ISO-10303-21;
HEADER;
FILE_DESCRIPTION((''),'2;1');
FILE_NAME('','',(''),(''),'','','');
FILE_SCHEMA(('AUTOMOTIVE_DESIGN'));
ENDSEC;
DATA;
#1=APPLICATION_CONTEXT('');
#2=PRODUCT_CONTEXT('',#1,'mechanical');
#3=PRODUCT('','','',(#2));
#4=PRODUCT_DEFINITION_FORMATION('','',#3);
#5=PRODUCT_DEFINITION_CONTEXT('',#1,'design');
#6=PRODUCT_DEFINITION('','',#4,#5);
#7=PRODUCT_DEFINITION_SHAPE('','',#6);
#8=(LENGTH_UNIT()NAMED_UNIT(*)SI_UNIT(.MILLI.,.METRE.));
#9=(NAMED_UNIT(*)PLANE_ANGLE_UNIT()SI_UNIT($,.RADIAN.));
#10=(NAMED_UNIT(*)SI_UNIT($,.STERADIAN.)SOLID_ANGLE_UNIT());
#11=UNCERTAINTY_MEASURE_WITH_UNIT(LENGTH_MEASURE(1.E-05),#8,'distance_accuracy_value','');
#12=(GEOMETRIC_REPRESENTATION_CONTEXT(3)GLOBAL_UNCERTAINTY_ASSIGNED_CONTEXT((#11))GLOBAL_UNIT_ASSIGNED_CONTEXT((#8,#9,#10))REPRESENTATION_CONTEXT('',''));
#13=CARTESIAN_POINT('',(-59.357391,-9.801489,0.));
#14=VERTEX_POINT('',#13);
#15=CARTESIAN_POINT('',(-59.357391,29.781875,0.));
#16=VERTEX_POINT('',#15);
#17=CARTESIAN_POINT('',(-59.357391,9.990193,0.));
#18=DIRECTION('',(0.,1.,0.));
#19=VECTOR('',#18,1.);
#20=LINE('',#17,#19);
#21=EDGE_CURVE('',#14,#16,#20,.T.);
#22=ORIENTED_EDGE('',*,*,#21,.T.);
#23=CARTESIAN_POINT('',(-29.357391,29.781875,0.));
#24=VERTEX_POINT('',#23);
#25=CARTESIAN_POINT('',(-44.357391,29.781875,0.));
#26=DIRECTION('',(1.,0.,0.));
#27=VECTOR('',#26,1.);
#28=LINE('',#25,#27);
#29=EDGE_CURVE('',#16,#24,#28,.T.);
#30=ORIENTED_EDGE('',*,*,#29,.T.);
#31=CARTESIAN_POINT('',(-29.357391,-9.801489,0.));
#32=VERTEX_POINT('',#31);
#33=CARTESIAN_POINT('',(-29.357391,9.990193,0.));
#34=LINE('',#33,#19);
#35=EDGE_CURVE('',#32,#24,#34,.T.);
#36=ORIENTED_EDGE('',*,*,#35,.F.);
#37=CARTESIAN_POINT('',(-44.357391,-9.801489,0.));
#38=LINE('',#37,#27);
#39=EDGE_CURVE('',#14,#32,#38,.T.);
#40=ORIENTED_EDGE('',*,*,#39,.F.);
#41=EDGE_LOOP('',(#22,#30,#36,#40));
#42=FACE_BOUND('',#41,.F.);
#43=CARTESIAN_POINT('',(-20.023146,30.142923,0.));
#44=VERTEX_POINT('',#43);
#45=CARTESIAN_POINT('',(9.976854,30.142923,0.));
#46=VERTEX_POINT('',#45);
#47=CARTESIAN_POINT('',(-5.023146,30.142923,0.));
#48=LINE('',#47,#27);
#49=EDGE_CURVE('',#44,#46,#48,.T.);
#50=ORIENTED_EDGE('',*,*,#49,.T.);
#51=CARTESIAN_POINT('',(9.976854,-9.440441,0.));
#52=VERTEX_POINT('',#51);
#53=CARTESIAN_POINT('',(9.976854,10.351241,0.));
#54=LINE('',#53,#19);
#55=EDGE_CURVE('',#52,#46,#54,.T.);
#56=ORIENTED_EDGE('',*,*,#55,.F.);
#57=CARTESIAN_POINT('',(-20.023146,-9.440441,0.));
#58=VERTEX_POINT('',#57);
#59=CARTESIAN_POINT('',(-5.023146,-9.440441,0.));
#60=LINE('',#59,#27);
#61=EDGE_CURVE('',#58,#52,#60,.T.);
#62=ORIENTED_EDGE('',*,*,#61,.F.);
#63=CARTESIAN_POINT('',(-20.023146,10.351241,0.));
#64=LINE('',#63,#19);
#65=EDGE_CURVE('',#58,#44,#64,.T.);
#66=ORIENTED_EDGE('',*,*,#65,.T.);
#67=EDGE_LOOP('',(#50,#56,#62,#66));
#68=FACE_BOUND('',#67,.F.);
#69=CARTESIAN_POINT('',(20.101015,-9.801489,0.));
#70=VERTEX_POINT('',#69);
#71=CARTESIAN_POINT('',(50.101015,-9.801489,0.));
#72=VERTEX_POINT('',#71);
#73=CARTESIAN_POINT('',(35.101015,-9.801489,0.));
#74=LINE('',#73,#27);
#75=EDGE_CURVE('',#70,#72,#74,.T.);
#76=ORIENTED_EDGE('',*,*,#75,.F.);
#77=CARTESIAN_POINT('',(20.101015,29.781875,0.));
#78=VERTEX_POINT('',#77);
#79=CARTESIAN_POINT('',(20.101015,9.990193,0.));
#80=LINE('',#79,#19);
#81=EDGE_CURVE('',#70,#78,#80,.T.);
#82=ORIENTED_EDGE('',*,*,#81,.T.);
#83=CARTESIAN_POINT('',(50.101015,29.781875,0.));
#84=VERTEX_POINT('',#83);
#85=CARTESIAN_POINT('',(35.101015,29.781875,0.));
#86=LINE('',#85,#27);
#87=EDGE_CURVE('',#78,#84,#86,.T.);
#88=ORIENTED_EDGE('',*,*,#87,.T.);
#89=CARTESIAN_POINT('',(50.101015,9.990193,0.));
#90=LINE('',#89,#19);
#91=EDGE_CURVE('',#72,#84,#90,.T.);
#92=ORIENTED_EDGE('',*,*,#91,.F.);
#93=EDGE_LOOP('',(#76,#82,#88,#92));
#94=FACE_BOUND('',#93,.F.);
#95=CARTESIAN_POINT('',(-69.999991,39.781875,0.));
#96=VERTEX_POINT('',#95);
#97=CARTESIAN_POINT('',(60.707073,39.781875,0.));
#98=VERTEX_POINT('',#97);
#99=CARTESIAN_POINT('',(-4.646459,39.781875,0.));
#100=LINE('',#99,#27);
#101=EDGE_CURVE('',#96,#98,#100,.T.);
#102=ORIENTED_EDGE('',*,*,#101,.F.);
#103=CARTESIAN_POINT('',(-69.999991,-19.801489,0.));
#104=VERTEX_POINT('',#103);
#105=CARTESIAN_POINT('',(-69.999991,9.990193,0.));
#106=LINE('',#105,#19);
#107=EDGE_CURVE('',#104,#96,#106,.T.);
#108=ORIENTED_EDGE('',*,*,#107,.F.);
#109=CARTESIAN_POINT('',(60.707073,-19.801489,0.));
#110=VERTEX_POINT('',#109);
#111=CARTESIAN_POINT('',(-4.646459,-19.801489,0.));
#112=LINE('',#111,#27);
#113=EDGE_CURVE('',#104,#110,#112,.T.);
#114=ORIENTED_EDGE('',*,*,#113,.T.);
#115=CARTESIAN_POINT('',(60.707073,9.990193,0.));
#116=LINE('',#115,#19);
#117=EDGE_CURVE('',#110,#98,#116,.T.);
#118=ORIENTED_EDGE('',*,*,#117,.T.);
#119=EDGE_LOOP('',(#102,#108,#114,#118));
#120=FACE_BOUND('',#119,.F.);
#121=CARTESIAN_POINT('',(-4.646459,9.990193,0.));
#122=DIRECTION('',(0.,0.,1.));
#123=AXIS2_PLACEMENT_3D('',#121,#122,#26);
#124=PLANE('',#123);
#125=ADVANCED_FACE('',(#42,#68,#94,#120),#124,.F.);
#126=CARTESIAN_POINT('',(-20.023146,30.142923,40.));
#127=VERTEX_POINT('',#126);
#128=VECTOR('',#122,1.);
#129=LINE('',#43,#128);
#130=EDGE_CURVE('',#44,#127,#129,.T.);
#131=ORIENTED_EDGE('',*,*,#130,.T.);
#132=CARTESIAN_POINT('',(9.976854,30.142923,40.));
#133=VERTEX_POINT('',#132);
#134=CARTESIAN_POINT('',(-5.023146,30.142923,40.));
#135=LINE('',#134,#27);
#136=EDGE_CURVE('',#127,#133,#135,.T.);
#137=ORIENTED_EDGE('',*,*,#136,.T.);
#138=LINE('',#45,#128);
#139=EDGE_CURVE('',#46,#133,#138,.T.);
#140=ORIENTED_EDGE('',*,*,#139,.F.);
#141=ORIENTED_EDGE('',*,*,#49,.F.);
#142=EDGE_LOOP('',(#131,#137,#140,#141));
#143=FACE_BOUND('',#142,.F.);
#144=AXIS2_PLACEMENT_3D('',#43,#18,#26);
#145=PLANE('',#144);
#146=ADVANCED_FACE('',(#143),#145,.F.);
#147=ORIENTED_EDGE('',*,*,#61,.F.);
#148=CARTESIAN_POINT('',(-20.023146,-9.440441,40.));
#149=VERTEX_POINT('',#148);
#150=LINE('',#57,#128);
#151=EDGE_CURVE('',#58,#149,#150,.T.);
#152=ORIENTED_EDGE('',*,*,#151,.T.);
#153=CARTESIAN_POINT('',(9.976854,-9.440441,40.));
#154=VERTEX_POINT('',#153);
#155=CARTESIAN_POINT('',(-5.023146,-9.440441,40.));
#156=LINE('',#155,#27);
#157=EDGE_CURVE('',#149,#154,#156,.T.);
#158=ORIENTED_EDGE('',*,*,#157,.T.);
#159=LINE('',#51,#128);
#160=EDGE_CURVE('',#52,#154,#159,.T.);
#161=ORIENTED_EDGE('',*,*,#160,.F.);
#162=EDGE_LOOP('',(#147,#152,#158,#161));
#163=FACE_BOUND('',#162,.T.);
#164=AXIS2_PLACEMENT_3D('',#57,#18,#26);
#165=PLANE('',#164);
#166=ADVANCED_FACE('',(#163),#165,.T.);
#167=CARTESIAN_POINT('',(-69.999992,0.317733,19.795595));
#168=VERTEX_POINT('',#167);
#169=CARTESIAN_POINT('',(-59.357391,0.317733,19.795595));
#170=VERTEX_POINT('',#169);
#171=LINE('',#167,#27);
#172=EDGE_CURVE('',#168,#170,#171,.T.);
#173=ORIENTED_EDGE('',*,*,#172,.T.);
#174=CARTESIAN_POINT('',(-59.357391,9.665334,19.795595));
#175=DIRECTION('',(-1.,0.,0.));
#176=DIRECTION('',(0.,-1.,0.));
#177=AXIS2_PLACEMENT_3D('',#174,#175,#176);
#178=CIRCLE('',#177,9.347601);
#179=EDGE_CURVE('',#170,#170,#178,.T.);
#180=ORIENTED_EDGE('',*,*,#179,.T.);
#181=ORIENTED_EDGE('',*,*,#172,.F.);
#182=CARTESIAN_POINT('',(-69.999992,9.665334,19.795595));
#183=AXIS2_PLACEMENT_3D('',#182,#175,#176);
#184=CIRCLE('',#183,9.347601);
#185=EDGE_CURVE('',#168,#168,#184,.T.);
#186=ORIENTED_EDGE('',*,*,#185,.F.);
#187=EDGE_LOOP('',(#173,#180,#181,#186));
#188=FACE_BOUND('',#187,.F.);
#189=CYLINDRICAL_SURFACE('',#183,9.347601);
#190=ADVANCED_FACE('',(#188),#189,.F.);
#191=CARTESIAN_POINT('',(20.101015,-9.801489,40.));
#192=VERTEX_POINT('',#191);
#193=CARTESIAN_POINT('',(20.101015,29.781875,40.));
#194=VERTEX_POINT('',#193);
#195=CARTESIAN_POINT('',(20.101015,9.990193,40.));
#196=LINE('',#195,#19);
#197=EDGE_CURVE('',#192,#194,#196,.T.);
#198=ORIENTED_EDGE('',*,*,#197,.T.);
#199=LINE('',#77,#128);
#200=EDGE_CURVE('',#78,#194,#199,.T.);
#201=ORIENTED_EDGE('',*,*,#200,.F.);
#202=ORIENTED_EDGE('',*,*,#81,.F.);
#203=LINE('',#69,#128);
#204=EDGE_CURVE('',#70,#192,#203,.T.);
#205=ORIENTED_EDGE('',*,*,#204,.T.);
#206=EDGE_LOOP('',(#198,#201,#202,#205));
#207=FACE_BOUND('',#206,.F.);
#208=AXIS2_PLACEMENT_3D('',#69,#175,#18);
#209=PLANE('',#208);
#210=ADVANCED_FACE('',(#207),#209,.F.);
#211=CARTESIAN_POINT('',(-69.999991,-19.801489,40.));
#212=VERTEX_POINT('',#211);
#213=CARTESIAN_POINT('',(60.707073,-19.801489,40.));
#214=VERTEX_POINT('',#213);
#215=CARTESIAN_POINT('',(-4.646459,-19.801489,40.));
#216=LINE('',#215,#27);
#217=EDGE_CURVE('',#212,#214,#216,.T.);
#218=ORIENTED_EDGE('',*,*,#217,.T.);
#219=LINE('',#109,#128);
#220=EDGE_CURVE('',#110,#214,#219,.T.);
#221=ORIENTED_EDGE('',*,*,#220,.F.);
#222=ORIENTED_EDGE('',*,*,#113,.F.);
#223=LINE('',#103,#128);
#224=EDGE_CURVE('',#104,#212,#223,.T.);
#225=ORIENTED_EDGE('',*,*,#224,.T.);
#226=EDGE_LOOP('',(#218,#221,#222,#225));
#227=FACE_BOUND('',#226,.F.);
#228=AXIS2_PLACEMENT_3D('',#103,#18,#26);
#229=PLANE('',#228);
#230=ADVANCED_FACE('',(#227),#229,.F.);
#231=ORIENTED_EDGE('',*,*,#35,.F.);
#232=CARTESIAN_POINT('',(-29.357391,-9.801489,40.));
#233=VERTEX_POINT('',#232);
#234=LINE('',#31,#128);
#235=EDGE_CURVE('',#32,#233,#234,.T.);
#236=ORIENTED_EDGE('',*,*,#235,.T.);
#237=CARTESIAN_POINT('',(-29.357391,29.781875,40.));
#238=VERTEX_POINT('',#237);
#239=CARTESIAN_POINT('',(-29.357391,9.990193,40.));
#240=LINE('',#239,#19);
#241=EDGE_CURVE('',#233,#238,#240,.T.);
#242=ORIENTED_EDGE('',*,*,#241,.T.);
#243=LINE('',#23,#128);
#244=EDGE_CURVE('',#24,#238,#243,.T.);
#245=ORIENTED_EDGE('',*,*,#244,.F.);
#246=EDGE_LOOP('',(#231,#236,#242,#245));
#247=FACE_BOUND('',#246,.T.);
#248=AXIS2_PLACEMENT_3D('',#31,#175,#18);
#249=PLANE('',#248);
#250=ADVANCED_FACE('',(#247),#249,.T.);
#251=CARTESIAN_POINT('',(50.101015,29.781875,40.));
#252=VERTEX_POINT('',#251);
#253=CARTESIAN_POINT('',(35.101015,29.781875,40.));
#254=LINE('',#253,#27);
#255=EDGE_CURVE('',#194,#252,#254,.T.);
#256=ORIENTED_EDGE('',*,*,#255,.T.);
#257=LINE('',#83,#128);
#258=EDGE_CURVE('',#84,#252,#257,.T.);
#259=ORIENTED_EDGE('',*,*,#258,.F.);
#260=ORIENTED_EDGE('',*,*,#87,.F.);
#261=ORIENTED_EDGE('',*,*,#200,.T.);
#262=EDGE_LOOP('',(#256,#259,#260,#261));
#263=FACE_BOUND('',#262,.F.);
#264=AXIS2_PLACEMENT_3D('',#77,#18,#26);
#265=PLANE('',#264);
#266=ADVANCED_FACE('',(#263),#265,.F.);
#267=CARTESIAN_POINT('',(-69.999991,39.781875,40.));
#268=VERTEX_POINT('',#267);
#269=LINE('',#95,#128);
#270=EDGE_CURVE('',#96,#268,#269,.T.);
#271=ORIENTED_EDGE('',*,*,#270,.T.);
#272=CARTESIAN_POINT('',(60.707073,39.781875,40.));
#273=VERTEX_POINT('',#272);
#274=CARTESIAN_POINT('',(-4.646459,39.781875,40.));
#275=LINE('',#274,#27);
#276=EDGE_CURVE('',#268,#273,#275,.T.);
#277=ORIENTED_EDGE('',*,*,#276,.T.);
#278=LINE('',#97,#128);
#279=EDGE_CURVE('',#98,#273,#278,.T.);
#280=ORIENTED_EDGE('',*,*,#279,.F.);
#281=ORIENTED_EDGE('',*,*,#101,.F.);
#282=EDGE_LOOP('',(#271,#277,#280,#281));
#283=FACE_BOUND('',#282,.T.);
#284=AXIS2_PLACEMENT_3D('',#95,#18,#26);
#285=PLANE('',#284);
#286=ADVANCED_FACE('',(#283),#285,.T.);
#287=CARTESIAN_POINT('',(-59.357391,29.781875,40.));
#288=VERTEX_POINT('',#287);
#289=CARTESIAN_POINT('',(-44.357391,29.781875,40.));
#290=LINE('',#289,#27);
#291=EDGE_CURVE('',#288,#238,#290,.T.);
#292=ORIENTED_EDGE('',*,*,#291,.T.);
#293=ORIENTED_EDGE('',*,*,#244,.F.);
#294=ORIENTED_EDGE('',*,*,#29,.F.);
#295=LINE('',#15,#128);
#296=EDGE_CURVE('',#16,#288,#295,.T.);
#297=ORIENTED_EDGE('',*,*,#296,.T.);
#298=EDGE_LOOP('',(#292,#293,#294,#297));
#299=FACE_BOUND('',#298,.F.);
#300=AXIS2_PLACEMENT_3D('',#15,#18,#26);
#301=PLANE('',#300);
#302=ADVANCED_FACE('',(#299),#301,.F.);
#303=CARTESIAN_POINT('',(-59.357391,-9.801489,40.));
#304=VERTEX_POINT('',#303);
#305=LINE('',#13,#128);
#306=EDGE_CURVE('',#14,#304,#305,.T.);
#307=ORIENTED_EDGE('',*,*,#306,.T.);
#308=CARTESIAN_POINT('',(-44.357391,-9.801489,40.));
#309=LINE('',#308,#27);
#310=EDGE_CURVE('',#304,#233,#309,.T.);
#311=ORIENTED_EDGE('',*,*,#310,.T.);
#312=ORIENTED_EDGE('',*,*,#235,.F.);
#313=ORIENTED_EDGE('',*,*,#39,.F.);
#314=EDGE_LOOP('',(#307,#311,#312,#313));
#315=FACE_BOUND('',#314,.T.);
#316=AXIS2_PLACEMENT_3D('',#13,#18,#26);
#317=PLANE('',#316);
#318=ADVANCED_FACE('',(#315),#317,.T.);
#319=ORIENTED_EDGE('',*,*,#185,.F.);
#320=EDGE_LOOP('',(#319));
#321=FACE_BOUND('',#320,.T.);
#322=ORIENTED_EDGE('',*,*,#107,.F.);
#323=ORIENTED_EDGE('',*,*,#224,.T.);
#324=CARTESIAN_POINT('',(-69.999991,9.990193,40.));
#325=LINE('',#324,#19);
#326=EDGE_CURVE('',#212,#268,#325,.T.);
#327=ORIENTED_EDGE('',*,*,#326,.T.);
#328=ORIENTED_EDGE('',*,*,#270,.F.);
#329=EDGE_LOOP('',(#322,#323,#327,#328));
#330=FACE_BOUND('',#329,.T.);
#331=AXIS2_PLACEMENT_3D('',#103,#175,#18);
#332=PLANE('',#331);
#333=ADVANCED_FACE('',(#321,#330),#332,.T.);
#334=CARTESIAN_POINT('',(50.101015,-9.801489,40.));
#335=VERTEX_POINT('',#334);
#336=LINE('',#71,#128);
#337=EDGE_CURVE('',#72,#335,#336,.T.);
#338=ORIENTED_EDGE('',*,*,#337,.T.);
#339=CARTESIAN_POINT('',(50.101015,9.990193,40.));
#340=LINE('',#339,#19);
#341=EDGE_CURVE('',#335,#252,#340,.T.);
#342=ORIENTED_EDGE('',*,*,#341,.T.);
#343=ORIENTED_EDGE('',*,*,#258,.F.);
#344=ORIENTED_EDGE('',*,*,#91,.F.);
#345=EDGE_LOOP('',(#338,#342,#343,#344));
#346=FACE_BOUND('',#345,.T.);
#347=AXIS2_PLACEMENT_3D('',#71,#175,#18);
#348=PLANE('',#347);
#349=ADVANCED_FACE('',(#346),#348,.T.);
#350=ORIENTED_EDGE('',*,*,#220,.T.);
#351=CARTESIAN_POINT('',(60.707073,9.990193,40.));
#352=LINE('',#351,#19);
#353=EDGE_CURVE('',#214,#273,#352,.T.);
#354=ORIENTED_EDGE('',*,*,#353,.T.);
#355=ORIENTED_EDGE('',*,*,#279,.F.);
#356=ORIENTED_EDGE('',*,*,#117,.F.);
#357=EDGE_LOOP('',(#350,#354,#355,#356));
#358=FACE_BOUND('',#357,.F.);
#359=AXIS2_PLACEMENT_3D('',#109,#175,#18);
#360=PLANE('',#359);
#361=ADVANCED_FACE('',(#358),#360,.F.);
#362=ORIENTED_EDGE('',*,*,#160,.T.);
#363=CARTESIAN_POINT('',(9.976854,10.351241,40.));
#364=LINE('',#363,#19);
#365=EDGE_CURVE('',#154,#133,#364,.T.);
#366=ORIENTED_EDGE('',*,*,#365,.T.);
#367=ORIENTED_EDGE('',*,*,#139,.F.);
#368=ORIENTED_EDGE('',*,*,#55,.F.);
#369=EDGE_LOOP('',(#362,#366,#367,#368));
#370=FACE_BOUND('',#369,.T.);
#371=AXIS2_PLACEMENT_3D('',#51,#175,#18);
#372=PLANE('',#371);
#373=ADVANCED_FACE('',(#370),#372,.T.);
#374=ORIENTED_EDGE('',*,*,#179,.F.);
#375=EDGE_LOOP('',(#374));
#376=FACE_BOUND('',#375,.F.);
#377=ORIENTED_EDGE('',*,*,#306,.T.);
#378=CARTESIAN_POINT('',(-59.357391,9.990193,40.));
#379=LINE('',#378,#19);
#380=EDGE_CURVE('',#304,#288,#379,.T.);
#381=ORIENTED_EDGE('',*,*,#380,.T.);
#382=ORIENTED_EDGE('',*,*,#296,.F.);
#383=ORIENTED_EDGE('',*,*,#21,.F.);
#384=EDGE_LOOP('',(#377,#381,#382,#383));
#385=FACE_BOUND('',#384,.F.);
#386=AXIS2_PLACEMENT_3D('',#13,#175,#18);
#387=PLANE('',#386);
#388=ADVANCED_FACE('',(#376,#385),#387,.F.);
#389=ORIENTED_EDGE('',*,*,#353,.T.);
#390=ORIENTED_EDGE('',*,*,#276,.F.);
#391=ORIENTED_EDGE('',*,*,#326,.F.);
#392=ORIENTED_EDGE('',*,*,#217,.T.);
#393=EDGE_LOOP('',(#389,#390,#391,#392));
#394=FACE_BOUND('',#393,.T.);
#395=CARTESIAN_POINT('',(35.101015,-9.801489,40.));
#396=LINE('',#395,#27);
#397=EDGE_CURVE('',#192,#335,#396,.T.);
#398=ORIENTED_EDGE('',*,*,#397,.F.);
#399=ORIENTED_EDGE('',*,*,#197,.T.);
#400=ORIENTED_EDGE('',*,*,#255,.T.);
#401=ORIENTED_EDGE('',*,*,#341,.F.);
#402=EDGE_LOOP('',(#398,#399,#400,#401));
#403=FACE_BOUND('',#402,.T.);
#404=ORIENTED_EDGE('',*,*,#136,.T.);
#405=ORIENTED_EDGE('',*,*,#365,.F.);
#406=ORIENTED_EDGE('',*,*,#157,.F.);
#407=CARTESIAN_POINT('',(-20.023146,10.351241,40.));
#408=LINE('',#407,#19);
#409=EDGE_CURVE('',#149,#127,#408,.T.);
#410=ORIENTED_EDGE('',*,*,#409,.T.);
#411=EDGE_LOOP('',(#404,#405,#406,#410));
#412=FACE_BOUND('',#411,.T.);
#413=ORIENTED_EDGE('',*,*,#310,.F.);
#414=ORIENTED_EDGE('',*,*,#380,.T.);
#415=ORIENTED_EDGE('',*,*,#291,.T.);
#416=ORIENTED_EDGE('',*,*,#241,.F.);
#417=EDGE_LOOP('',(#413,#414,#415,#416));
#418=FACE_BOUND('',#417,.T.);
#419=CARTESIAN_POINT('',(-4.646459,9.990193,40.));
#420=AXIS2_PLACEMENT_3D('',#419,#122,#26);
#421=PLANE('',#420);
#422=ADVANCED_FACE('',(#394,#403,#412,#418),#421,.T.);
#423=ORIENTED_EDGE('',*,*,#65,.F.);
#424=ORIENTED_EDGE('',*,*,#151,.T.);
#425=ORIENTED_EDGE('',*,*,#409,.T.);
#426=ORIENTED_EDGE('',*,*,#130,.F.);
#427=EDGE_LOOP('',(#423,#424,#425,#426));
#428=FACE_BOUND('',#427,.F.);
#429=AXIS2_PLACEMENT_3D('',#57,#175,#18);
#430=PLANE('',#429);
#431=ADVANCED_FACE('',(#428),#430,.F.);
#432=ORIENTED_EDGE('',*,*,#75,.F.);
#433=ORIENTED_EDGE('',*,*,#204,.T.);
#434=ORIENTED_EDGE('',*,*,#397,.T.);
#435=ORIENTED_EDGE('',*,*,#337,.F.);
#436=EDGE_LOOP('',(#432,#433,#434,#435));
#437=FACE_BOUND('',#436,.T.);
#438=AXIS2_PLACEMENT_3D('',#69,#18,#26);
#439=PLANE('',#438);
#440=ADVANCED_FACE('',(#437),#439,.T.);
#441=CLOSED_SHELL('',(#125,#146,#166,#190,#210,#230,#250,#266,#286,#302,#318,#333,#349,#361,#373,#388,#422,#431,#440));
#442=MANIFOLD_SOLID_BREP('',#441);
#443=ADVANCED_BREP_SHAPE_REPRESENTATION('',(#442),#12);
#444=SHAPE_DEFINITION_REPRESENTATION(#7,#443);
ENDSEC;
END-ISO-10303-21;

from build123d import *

# Parameters (mm, degrees)
SKETCH_W     = 130.707065
SKETCH_H     = 59.583364
SKETCH_W_2   = 30
SKETCH_H_2   = 39.583364
PAD_DEPTH    = 40
SKETCH001_R  = 9.347601
POCKET_DEPTH = 32


with BuildPart() as part:
    # Sketch → Pad (new body)
    with BuildSketch(Plane.XY):
        with Locations((-4.646459, 9.990193)):
            Rectangle(SKETCH_W, SKETCH_H)
        with Locations((-44.357391, 9.990193)):
            Rectangle(SKETCH_W_2, SKETCH_H_2, mode=Mode.SUBTRACT)
        with Locations((-5.023146, 10.351241)):
            Rectangle(SKETCH_W_2, SKETCH_H_2, mode=Mode.SUBTRACT)
        with Locations((35.101015, 9.990193)):
            Rectangle(SKETCH_W_2, SKETCH_H_2, mode=Mode.SUBTRACT)
    extrude(amount=PAD_DEPTH)

    # Sketch001 (on Face4 of Pad) → Pocket (cut)
    with BuildSketch(Plane(origin=(-69.999992, 0, 0), x_dir=(0, -1, 0), z_dir=(-1, 0, 0))):
        with Locations((-9.665334, 19.795595)):
            Circle(SKETCH001_R)
    extrude(amount=-POCKET_DEPTH, mode=Mode.SUBTRACT)


solid = part.part
